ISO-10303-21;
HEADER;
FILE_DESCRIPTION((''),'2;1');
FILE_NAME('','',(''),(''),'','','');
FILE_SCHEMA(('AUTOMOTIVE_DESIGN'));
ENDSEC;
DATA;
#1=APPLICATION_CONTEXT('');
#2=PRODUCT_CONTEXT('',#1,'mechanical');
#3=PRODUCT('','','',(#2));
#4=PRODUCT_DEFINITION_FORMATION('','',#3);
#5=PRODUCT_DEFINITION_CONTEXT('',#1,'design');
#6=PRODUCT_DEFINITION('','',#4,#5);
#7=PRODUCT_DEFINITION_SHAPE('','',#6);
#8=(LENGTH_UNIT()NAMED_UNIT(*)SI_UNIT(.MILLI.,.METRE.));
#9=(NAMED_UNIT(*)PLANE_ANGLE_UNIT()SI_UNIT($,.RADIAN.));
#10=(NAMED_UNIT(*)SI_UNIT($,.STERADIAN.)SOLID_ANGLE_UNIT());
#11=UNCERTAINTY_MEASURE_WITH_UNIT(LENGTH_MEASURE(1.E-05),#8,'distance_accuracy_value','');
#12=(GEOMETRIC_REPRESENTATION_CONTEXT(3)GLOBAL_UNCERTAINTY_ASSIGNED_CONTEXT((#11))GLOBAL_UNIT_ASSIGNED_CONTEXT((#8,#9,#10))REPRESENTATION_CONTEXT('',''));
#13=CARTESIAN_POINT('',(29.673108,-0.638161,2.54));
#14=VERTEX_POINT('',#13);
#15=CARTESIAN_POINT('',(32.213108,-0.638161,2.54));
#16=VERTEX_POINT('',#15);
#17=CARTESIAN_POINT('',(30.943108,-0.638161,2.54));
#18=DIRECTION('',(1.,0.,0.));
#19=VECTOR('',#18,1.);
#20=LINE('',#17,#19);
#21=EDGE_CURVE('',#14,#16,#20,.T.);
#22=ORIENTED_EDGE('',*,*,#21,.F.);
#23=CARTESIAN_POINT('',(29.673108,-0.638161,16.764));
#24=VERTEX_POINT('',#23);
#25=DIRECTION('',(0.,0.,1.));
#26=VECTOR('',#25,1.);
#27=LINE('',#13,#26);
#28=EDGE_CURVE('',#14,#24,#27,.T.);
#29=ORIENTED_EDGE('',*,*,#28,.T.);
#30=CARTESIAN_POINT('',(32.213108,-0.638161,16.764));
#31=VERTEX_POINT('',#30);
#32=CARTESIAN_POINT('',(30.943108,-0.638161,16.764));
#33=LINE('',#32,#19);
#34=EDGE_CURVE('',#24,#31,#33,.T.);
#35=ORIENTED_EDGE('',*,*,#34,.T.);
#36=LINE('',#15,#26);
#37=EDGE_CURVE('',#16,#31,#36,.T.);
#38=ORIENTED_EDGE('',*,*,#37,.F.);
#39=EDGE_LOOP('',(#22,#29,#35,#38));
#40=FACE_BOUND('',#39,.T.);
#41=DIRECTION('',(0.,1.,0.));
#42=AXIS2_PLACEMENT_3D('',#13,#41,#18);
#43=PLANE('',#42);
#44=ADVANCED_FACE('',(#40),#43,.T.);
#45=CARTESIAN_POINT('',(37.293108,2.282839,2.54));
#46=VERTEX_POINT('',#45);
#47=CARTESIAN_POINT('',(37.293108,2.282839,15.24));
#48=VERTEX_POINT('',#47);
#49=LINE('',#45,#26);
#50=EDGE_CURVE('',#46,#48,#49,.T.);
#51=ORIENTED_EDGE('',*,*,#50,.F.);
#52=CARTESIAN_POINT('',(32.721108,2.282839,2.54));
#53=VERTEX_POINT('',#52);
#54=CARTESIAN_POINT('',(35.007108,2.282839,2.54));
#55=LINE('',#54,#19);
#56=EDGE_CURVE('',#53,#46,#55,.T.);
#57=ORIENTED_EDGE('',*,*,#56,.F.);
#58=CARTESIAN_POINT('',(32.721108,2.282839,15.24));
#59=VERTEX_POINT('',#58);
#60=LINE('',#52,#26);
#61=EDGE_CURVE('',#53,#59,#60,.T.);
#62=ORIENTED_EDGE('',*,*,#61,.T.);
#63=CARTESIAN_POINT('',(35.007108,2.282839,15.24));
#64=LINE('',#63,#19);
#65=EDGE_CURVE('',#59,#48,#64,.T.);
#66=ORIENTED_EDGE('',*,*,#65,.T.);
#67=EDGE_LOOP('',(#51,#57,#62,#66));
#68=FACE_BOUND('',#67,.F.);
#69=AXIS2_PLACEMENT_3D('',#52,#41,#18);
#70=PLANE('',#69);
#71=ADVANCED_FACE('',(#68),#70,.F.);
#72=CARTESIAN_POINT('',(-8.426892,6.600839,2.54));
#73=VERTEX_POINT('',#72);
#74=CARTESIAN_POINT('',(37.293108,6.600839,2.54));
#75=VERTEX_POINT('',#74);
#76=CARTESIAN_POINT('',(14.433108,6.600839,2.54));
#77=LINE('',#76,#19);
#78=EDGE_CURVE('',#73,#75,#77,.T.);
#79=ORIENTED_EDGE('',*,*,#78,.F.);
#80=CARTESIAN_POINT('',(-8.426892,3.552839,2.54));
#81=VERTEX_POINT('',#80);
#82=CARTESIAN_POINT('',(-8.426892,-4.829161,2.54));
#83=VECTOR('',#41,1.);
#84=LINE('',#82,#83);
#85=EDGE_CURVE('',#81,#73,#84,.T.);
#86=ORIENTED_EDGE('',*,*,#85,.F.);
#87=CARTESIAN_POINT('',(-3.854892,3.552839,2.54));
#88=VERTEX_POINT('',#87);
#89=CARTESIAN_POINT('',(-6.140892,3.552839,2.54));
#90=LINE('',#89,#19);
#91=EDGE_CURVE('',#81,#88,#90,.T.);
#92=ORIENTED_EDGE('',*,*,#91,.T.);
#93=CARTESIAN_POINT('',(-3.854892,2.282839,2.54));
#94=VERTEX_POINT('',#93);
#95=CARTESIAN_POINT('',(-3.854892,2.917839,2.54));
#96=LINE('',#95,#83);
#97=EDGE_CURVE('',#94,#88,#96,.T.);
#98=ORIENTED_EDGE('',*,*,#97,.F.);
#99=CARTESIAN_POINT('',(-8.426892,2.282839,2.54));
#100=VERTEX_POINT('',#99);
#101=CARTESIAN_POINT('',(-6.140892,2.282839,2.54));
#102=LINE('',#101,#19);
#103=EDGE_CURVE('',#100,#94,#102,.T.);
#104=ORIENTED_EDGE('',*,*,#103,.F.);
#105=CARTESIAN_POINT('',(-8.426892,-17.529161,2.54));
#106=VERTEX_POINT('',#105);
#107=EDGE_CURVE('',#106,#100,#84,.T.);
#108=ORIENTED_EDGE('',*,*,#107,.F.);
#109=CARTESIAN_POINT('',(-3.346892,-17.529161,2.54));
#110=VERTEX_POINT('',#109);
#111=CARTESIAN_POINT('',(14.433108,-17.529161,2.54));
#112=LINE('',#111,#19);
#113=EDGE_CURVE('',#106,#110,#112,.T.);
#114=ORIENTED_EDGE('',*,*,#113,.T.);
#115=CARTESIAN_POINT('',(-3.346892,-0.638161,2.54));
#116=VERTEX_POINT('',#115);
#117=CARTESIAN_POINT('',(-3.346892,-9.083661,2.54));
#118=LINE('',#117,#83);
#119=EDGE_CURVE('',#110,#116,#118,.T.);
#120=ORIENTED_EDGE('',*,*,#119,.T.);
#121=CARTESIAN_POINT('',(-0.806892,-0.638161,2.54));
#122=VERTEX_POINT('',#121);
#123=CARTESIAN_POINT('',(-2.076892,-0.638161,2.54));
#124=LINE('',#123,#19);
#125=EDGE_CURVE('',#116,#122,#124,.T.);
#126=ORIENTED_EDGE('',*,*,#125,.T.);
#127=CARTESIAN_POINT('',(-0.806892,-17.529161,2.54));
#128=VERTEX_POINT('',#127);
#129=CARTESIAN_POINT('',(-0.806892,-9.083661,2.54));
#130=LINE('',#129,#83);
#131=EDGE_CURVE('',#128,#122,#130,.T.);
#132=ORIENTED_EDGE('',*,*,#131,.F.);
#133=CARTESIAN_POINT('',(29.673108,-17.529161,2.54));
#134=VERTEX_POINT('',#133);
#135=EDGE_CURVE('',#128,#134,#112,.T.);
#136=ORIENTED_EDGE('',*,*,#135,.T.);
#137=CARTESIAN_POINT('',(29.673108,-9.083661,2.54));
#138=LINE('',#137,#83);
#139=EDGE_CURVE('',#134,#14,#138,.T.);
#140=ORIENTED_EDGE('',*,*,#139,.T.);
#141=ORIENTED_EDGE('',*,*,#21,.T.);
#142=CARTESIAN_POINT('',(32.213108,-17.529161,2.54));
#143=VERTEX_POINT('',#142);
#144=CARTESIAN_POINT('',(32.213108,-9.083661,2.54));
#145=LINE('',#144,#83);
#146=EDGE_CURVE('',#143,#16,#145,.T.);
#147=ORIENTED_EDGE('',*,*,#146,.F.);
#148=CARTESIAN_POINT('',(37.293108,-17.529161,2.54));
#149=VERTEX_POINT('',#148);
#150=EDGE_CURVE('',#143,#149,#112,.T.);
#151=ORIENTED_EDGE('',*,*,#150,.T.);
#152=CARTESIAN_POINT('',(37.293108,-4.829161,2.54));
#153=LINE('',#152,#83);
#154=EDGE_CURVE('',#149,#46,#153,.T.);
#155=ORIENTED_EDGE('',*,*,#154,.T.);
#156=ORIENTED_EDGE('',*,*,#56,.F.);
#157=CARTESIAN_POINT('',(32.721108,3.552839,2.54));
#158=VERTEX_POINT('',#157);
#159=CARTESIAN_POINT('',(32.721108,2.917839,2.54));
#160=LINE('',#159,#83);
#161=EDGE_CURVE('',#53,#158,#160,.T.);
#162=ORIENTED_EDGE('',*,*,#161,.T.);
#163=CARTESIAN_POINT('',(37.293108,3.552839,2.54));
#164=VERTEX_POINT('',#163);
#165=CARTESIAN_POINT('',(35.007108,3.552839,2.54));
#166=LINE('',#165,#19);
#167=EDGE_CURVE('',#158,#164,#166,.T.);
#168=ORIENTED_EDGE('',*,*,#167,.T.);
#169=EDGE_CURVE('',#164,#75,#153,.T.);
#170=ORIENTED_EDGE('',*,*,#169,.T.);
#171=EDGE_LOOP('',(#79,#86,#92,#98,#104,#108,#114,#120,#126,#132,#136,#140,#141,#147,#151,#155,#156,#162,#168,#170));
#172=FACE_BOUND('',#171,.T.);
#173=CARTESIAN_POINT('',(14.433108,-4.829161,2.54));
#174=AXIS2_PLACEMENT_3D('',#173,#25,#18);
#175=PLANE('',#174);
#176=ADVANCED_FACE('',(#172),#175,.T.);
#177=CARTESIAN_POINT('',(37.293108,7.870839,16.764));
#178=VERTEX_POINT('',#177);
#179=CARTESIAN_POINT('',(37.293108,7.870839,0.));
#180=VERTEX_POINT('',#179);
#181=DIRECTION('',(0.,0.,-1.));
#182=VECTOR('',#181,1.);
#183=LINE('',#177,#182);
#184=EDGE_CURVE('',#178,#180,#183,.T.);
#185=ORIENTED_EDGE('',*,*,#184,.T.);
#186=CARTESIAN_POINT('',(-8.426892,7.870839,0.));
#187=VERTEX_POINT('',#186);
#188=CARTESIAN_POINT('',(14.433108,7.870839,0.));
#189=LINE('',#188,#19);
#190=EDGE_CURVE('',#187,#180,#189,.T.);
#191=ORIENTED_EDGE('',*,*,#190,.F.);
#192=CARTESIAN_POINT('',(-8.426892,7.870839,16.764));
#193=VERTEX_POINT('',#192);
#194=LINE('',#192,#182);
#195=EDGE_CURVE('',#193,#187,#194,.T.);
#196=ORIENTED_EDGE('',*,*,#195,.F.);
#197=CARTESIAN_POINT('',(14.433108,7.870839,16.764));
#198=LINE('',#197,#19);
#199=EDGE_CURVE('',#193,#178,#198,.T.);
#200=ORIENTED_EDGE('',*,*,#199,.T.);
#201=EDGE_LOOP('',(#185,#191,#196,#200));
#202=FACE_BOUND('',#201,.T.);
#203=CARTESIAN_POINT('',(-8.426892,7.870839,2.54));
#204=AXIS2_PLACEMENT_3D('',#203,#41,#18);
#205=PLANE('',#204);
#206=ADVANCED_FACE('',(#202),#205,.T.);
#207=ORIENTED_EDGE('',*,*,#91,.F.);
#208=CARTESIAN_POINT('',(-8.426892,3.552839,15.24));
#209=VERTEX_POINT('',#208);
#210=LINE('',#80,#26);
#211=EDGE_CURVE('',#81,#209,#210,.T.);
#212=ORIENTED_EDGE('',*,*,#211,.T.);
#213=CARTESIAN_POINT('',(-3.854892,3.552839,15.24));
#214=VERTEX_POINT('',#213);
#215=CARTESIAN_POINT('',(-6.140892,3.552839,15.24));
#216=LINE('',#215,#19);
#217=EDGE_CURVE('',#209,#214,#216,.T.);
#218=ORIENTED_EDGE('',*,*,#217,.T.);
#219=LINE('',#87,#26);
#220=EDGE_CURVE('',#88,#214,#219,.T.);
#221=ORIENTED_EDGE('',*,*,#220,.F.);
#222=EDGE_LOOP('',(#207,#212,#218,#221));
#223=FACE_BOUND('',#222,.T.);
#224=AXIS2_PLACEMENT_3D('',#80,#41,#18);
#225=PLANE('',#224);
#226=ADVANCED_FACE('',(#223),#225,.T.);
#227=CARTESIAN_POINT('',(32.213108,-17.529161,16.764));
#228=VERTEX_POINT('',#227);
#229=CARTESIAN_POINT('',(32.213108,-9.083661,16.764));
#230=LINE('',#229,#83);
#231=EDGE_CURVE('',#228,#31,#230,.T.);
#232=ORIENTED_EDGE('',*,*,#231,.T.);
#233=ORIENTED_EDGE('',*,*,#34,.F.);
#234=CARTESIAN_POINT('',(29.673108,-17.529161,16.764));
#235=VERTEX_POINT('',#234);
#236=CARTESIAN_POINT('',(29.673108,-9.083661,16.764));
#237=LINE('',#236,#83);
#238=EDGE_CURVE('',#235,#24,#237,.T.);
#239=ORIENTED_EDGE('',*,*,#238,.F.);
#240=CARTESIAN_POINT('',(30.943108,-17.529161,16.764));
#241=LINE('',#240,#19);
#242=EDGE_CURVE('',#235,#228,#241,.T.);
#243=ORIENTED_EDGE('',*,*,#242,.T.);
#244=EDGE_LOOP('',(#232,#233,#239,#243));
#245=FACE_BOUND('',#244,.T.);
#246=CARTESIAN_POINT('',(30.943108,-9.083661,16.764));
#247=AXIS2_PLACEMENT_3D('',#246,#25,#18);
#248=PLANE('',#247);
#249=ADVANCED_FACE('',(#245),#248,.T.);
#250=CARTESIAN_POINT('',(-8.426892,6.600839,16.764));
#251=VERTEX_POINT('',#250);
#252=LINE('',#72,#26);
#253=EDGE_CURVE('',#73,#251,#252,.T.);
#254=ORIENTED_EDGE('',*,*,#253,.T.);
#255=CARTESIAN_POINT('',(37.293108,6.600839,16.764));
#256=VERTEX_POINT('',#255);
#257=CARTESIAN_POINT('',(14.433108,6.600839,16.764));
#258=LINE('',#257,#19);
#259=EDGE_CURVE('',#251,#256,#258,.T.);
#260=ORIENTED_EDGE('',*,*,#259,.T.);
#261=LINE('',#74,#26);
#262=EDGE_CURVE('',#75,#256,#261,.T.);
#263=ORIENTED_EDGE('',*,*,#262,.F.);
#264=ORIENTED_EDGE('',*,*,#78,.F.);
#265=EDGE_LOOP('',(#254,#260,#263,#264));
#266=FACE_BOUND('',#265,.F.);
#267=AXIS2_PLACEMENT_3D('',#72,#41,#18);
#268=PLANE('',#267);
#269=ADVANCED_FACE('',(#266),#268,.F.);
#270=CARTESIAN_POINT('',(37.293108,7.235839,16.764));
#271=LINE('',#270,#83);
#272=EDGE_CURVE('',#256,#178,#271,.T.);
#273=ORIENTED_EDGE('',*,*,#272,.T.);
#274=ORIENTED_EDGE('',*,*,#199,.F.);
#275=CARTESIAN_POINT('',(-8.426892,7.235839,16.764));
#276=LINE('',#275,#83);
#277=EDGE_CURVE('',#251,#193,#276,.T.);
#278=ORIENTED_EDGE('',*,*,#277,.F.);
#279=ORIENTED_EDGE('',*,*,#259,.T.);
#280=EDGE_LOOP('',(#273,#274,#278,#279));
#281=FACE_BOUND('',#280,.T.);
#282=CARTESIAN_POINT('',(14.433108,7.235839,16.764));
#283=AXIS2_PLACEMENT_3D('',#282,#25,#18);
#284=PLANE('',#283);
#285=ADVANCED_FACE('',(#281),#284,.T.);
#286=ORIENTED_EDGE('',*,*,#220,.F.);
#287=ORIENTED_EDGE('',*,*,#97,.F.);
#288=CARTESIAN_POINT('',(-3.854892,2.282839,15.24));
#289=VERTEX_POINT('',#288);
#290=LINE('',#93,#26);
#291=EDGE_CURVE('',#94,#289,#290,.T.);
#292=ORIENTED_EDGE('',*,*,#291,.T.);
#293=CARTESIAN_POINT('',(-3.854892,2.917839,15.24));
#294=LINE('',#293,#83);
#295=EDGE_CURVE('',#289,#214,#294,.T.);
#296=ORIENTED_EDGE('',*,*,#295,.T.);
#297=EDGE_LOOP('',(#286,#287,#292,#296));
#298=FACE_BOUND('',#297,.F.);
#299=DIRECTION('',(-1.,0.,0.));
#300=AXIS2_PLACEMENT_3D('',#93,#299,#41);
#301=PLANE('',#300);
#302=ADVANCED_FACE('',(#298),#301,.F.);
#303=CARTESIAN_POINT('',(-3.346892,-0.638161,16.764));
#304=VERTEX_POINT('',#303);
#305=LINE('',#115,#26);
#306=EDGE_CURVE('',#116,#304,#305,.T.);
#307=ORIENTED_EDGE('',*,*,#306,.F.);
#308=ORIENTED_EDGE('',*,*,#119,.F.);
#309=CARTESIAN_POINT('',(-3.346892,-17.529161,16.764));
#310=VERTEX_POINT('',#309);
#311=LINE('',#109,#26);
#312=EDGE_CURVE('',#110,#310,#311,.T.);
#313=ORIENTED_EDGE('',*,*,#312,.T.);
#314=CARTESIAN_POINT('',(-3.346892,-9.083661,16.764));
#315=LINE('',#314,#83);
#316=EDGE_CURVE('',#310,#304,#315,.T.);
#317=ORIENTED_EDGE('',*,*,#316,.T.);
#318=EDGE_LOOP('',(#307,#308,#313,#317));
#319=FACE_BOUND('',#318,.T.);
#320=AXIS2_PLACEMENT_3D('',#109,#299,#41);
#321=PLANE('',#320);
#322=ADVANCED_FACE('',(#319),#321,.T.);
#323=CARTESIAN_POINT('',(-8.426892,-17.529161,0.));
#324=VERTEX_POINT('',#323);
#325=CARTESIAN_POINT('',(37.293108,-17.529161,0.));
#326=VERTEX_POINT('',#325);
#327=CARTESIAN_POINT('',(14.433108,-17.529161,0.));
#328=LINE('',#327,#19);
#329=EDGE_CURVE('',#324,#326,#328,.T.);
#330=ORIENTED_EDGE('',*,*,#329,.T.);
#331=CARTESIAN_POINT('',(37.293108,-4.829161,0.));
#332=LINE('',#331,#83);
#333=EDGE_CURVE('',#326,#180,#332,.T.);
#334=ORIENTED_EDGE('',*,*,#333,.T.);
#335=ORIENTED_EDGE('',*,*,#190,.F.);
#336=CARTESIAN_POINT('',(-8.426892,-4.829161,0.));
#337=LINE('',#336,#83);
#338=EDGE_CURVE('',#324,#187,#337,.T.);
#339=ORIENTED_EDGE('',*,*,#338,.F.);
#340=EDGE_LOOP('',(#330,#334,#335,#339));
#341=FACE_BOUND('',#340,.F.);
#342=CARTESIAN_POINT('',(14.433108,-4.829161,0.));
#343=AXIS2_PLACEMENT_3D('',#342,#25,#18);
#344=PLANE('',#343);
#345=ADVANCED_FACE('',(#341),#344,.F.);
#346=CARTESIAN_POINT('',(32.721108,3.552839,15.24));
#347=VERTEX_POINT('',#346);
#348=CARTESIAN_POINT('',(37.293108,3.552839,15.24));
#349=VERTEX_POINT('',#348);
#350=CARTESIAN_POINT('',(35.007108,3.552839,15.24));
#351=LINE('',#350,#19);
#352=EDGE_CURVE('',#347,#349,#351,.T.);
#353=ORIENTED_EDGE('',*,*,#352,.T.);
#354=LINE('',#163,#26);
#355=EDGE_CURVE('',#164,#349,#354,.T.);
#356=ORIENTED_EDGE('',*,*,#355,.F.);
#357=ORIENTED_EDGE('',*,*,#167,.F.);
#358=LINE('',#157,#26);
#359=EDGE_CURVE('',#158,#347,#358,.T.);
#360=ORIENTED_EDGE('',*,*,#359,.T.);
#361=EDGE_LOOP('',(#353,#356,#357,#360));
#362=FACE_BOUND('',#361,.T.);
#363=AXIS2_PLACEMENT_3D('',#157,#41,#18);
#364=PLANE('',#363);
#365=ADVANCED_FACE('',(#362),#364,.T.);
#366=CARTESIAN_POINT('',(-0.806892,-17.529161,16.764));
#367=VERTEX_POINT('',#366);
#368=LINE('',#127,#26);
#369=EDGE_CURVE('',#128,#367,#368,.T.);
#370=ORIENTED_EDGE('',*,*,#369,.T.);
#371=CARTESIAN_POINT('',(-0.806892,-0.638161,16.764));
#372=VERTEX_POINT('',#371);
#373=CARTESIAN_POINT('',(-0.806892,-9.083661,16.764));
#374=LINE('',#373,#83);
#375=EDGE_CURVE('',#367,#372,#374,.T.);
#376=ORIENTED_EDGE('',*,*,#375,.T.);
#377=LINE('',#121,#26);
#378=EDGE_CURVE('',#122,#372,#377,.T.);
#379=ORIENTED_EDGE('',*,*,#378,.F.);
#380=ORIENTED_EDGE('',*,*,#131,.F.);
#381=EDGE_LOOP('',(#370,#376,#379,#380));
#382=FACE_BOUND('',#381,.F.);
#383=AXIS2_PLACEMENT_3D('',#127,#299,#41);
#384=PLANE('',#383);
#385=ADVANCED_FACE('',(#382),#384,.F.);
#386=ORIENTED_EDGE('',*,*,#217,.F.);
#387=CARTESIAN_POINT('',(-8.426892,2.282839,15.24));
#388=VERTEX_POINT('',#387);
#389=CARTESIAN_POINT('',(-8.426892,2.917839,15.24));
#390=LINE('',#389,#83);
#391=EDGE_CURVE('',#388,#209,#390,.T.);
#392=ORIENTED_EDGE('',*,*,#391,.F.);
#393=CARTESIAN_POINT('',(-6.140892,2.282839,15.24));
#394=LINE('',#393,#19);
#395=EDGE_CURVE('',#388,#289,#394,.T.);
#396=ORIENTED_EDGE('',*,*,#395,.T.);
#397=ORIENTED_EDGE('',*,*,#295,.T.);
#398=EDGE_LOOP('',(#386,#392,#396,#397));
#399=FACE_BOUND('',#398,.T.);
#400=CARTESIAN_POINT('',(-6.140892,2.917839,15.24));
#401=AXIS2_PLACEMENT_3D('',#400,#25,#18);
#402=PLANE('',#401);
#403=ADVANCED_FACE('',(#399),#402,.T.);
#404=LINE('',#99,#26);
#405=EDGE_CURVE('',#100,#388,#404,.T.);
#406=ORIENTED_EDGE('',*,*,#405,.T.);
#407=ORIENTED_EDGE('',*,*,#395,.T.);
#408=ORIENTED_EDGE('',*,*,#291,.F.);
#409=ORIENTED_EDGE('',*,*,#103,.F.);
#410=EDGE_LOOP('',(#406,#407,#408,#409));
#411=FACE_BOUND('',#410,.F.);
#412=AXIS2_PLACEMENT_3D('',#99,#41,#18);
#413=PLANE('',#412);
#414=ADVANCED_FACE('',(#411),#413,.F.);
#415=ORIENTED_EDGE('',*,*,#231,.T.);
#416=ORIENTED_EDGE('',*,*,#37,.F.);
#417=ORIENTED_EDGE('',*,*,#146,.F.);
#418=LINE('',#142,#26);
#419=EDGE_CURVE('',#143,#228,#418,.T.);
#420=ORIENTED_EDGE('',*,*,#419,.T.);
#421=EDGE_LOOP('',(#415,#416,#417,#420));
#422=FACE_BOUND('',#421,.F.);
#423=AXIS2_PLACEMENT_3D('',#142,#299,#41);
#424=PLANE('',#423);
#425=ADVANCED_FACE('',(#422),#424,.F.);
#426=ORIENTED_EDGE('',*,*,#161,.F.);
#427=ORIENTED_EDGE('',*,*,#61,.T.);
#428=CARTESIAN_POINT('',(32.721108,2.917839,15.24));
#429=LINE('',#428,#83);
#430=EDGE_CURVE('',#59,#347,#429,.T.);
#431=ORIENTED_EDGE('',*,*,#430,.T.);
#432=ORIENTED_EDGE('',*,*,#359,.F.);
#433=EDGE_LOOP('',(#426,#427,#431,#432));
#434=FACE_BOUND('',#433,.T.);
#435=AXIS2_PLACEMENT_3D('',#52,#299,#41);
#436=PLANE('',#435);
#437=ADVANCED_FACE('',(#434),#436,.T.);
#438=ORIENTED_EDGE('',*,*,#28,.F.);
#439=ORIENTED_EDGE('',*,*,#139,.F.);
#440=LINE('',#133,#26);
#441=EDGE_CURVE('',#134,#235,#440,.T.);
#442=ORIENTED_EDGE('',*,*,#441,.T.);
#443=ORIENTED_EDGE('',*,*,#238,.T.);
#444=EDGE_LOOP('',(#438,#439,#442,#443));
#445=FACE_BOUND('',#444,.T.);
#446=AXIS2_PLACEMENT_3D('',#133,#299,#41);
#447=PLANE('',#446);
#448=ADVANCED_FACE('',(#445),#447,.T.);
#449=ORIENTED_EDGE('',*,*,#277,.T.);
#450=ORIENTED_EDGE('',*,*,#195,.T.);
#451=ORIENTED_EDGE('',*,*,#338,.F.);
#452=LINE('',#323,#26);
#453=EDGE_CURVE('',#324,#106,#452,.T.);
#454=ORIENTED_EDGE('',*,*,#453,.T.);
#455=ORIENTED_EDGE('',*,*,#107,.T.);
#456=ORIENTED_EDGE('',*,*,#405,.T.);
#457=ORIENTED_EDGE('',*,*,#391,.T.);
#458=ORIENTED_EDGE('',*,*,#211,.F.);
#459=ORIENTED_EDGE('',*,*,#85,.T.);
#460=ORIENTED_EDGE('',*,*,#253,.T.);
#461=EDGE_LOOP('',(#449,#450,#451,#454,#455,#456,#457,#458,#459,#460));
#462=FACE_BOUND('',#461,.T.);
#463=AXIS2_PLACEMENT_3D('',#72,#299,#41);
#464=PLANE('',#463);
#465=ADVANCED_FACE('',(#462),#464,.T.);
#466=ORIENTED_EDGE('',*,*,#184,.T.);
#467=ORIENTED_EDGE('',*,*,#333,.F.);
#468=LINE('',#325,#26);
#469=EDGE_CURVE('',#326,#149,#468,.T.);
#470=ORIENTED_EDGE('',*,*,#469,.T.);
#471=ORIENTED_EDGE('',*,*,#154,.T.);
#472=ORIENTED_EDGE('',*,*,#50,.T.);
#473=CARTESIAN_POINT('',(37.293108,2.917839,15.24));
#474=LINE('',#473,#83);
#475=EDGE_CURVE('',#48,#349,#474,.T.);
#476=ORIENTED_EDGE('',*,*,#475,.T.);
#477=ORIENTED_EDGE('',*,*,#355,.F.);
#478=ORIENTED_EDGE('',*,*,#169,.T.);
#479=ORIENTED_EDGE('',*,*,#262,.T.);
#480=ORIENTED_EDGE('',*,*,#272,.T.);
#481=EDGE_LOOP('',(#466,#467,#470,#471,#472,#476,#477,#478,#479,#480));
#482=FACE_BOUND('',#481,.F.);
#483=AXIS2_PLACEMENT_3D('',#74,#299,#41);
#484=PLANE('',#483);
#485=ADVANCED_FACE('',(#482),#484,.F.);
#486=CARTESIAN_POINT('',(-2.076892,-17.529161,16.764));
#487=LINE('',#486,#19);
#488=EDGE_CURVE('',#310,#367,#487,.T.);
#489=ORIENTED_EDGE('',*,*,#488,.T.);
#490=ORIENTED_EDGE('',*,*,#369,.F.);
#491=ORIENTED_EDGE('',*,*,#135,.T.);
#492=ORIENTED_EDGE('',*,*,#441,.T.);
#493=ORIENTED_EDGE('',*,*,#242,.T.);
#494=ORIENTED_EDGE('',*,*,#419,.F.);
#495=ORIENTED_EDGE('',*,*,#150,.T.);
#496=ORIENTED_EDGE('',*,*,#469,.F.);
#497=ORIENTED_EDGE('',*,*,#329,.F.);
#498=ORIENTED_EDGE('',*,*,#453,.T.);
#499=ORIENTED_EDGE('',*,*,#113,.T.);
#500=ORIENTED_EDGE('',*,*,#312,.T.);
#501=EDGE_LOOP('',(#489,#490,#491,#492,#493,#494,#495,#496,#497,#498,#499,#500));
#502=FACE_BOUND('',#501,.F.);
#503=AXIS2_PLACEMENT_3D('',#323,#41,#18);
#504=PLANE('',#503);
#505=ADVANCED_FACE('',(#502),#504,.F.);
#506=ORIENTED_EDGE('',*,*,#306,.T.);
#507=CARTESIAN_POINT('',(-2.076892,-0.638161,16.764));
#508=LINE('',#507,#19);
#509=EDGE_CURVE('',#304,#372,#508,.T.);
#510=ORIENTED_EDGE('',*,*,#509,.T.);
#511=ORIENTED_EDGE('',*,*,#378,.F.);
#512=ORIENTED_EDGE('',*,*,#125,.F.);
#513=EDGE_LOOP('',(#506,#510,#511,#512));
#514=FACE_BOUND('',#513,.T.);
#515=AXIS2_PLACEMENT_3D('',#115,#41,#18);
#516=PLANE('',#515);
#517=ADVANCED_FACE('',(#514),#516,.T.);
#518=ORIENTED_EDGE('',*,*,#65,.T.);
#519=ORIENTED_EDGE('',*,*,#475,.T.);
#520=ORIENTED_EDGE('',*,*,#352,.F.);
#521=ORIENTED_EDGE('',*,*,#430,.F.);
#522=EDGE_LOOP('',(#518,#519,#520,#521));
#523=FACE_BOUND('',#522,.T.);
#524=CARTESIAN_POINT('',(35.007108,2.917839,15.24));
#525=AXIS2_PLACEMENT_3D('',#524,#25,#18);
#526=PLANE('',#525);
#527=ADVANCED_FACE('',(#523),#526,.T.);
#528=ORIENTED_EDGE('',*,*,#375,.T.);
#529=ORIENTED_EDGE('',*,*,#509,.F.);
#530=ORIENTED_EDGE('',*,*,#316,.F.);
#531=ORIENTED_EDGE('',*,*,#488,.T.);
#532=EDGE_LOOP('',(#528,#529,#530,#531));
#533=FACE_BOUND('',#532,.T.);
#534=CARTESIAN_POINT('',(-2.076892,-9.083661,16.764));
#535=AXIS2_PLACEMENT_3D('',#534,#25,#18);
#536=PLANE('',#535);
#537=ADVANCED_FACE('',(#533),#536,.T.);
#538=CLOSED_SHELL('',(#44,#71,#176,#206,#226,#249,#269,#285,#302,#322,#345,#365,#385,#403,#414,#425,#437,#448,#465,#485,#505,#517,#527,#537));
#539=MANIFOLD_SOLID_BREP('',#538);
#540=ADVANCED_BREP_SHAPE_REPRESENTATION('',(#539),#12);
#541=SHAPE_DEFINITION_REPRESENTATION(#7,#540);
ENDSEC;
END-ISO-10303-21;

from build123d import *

# Parameters (mm, degrees)
F0_W     = 45.72
F0_H     = 25.4
F1_DEPTH = 2.54
F2_W     = 2.54
F2_H     = 16.891
F3_DEPTH = 14.224
F4_W     = 45.72
F4_H     = 1.27
F5_DEPTH = 14.224
F6_W     = 4.572
F6_H     = 1.27
F7_DEPTH = 12.7


with BuildPart() as f1:
    # F0 (on Top) → F1 (new body)
    with BuildSketch(Plane.XY):
        with Locations((14.433108, -4.829161)):
            Rectangle(F0_W, F0_H)
    extrude(amount=F1_DEPTH)

    # F2 (on face) → F3 (join)
    with BuildSketch(Plane.XY.offset(2.54)):
        with Locations((-2.076892, -9.083661)):
            Rectangle(F2_W, F2_H)
        with Locations((30.943108, -9.083661)):
            Rectangle(F2_W, F2_H)
    extrude(amount=F3_DEPTH)

    # F4 (on face) → F5 (join)
    with BuildSketch(Plane.XY.offset(2.54)):
        with Locations((14.433108, 7.235839)):
            Rectangle(F4_W, F4_H)
    extrude(amount=F5_DEPTH)

    # F6 (on face) → F7 (join)
    with BuildSketch(Plane.XY.offset(2.54)):
        with Locations((-6.140892, 2.917839)):
            Rectangle(F6_W, F6_H)
        with Locations((35.007108, 2.917839)):
            Rectangle(F6_W, F6_H)
    extrude(amount=F7_DEPTH)


solid = f1.part
